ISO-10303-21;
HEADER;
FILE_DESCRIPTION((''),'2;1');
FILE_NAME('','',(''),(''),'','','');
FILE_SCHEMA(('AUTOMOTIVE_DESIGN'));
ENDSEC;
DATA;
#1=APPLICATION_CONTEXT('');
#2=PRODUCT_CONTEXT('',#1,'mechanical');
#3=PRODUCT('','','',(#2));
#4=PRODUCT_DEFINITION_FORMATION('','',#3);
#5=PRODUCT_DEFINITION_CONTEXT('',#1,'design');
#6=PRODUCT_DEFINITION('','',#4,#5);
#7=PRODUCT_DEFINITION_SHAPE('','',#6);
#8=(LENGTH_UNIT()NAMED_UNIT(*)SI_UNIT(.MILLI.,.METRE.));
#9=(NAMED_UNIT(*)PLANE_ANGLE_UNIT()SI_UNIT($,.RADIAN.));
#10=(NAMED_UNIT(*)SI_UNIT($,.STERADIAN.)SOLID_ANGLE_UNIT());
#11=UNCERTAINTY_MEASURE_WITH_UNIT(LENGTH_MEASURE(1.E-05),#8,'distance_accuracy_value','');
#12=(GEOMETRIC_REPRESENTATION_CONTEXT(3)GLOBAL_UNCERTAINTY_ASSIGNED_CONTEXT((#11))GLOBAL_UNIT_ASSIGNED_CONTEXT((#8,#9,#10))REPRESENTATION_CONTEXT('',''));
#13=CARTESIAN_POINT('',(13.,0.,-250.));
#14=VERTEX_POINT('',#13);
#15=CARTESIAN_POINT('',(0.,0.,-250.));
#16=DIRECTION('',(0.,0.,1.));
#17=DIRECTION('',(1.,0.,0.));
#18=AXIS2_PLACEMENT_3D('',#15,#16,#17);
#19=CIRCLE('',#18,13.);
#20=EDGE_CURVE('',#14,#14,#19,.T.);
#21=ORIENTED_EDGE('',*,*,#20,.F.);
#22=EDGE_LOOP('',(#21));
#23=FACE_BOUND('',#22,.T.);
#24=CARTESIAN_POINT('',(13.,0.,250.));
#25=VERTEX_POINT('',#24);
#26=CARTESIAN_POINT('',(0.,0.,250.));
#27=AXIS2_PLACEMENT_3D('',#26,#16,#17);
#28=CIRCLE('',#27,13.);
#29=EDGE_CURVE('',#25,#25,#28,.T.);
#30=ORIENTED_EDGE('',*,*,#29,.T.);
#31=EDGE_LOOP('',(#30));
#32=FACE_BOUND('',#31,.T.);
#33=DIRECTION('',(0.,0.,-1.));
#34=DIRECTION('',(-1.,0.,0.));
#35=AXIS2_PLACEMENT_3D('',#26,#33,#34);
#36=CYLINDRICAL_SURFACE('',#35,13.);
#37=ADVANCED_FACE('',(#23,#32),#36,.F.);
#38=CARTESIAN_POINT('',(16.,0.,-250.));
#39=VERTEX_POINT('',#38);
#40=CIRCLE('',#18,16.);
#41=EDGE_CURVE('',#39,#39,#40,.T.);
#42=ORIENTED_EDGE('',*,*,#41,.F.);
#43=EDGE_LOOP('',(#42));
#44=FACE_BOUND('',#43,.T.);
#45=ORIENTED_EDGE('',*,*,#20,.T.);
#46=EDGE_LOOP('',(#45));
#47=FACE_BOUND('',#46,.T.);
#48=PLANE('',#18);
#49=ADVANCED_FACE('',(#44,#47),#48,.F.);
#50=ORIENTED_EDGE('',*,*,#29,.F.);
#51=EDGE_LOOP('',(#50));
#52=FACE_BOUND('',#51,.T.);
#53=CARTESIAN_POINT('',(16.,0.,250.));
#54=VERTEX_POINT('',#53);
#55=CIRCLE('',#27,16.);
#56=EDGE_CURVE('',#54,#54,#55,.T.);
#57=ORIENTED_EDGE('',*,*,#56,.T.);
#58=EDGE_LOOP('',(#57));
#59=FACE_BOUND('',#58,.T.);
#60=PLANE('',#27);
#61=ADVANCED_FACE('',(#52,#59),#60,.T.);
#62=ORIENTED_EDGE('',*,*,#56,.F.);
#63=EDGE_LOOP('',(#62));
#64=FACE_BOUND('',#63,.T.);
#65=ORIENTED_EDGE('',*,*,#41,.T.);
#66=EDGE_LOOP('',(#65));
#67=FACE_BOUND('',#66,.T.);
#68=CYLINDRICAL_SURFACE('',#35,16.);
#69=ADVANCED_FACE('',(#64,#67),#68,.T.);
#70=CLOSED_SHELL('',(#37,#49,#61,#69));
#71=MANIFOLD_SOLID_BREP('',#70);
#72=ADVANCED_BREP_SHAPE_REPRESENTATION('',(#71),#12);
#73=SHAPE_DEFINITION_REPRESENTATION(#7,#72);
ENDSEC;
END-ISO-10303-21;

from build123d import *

# Parameters (mm, degrees)
CROQUIS1_R     = 16
EXTRUIR1_DEPTH = 250
VACIADO1_T     = -3


with BuildPart() as part:
    # Croquis1 → Extruir1 (new, symmetric)
    with BuildSketch(Plane.XY):
        Circle(CROQUIS1_R)
    extrude(amount=EXTRUIR1_DEPTH, both=True)

    # Vaciado1
    vaciado1_openings = [part.faces().sort_by_distance(p)[0] for p in [
        (0, 0, 250),
        (0, 0, -250),
    ]]
    offset(amount=VACIADO1_T, openings=vaciado1_openings, kind=Kind.INTERSECTION)


solid = part.part
